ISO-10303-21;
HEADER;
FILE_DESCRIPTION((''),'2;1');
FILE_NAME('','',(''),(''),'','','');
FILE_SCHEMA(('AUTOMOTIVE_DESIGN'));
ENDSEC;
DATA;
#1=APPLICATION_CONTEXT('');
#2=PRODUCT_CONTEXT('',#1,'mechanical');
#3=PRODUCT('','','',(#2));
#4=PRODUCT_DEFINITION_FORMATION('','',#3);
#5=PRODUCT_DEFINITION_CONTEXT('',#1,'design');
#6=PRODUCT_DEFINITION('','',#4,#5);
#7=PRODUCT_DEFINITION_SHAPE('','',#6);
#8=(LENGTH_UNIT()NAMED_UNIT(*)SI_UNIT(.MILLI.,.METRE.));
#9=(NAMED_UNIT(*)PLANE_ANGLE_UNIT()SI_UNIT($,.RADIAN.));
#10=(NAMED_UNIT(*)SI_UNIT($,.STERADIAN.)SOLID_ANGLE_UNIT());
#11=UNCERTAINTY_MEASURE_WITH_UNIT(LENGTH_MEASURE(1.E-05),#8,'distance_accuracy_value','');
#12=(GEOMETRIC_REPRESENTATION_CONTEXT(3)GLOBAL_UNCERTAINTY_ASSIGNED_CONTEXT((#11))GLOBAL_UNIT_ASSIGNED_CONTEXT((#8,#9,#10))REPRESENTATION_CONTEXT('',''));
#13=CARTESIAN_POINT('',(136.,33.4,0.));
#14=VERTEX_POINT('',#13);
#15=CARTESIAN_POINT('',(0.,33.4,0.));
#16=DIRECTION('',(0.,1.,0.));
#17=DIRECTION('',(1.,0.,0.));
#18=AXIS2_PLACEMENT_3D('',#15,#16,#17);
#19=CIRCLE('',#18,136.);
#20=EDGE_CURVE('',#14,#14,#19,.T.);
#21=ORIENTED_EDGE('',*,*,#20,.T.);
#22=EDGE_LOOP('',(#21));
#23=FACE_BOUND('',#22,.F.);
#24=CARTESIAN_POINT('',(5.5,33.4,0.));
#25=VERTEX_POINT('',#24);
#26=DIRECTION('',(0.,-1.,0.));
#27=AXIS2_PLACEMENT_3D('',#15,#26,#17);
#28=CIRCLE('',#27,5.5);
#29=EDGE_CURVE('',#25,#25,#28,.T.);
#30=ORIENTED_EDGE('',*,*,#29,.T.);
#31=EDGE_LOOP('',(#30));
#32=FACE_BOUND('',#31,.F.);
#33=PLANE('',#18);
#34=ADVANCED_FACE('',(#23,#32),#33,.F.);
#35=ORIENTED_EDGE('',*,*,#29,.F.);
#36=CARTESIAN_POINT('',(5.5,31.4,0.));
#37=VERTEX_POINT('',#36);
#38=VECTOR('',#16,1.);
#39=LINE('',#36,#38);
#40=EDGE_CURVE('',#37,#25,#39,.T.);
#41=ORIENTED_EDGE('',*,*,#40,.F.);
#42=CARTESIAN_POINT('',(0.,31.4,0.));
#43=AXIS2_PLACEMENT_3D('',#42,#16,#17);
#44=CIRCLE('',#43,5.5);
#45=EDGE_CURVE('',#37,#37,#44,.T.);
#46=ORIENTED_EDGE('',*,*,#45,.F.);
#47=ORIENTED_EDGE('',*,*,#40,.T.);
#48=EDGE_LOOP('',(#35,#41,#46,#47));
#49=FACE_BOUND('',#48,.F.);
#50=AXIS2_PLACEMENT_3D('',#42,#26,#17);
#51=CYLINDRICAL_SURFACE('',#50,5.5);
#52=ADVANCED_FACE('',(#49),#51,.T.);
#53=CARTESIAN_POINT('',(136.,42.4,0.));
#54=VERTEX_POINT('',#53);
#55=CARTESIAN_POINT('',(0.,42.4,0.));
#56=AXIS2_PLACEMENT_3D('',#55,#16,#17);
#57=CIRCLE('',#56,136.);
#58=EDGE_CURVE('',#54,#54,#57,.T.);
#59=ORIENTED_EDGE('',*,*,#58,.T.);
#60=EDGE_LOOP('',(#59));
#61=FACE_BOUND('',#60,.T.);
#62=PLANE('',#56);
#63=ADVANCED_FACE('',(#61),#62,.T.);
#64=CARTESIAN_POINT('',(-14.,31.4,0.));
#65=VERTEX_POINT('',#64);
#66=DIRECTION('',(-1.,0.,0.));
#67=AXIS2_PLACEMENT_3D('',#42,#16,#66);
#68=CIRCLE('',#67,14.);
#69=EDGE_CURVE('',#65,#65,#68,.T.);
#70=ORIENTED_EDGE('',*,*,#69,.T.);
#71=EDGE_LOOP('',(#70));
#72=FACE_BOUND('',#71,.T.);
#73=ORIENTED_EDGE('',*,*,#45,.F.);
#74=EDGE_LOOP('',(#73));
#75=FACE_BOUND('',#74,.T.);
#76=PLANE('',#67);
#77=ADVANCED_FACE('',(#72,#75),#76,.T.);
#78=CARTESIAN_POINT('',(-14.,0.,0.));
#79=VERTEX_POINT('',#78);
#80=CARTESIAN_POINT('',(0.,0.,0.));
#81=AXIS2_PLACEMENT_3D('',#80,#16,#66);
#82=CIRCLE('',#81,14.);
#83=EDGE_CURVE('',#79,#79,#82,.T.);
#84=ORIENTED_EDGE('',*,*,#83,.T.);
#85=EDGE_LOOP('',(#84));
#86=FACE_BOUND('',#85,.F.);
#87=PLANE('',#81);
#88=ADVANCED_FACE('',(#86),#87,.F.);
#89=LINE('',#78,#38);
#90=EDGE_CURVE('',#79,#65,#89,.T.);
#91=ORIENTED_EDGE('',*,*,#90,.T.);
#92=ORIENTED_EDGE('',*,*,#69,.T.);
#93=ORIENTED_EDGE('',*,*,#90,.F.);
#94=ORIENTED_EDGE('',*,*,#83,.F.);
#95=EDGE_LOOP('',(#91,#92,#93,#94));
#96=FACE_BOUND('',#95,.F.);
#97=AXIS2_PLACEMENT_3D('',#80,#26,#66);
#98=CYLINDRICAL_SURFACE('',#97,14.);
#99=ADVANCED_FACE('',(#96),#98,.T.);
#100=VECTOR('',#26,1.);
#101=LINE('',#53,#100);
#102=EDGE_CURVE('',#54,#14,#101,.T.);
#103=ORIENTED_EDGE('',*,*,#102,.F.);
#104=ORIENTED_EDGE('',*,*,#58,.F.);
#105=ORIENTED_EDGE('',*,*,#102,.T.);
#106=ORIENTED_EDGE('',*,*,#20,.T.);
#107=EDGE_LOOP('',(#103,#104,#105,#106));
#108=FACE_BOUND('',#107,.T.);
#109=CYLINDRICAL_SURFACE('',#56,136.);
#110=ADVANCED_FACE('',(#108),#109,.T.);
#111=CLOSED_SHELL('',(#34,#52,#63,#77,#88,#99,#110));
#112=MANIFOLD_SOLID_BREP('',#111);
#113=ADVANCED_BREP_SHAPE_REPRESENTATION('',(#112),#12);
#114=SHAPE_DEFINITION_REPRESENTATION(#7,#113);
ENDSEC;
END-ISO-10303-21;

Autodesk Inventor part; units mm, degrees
ref_plane "YZ Plane" through (0, 0, 0) normal (1, 0, 0) x (0, 1, 0)
ref_plane "XZ Plane" through (0, 0, 0) normal (0, 1, 0) x (-1, 0, 0)
ref_plane "XY Plane" through (0, 0, 0) normal (0, 0, 1) x (1, 0, 0)
sketch "Sketch1" plane through (0, 0, 0) normal (0, 1, 0) x (-1, 0, 0)
  circle A0 centre (0, 0) radius 14
  dimension "d0" = 28
extrude "Extrusion1" add sketch "Sketch1" along normal blind 31.4
sketch "Sketch2" plane through (0, 31.4, 0) normal (0, 1, 0) x (1, 0, 0)
  circle A0 centre (0, 0) radius 5.5
  dimension "d3" = 11
extrude "Extrusion2" add sketch "Sketch2" along normal blind 11
sketch "Sketch3" plane through (0, 42.4, 0) normal (0, 1, 0) x (1, 0, 0)
  circle A0 centre (0, 0) radius 14 projected
  circle A1 centre (0, 0) radius 136
  dimension "d6" = 272
extrude "Extrusion3" add sketch "Sketch3" against normal blind 9 contours A0 | A1
properties part number "motor_with_prop"
